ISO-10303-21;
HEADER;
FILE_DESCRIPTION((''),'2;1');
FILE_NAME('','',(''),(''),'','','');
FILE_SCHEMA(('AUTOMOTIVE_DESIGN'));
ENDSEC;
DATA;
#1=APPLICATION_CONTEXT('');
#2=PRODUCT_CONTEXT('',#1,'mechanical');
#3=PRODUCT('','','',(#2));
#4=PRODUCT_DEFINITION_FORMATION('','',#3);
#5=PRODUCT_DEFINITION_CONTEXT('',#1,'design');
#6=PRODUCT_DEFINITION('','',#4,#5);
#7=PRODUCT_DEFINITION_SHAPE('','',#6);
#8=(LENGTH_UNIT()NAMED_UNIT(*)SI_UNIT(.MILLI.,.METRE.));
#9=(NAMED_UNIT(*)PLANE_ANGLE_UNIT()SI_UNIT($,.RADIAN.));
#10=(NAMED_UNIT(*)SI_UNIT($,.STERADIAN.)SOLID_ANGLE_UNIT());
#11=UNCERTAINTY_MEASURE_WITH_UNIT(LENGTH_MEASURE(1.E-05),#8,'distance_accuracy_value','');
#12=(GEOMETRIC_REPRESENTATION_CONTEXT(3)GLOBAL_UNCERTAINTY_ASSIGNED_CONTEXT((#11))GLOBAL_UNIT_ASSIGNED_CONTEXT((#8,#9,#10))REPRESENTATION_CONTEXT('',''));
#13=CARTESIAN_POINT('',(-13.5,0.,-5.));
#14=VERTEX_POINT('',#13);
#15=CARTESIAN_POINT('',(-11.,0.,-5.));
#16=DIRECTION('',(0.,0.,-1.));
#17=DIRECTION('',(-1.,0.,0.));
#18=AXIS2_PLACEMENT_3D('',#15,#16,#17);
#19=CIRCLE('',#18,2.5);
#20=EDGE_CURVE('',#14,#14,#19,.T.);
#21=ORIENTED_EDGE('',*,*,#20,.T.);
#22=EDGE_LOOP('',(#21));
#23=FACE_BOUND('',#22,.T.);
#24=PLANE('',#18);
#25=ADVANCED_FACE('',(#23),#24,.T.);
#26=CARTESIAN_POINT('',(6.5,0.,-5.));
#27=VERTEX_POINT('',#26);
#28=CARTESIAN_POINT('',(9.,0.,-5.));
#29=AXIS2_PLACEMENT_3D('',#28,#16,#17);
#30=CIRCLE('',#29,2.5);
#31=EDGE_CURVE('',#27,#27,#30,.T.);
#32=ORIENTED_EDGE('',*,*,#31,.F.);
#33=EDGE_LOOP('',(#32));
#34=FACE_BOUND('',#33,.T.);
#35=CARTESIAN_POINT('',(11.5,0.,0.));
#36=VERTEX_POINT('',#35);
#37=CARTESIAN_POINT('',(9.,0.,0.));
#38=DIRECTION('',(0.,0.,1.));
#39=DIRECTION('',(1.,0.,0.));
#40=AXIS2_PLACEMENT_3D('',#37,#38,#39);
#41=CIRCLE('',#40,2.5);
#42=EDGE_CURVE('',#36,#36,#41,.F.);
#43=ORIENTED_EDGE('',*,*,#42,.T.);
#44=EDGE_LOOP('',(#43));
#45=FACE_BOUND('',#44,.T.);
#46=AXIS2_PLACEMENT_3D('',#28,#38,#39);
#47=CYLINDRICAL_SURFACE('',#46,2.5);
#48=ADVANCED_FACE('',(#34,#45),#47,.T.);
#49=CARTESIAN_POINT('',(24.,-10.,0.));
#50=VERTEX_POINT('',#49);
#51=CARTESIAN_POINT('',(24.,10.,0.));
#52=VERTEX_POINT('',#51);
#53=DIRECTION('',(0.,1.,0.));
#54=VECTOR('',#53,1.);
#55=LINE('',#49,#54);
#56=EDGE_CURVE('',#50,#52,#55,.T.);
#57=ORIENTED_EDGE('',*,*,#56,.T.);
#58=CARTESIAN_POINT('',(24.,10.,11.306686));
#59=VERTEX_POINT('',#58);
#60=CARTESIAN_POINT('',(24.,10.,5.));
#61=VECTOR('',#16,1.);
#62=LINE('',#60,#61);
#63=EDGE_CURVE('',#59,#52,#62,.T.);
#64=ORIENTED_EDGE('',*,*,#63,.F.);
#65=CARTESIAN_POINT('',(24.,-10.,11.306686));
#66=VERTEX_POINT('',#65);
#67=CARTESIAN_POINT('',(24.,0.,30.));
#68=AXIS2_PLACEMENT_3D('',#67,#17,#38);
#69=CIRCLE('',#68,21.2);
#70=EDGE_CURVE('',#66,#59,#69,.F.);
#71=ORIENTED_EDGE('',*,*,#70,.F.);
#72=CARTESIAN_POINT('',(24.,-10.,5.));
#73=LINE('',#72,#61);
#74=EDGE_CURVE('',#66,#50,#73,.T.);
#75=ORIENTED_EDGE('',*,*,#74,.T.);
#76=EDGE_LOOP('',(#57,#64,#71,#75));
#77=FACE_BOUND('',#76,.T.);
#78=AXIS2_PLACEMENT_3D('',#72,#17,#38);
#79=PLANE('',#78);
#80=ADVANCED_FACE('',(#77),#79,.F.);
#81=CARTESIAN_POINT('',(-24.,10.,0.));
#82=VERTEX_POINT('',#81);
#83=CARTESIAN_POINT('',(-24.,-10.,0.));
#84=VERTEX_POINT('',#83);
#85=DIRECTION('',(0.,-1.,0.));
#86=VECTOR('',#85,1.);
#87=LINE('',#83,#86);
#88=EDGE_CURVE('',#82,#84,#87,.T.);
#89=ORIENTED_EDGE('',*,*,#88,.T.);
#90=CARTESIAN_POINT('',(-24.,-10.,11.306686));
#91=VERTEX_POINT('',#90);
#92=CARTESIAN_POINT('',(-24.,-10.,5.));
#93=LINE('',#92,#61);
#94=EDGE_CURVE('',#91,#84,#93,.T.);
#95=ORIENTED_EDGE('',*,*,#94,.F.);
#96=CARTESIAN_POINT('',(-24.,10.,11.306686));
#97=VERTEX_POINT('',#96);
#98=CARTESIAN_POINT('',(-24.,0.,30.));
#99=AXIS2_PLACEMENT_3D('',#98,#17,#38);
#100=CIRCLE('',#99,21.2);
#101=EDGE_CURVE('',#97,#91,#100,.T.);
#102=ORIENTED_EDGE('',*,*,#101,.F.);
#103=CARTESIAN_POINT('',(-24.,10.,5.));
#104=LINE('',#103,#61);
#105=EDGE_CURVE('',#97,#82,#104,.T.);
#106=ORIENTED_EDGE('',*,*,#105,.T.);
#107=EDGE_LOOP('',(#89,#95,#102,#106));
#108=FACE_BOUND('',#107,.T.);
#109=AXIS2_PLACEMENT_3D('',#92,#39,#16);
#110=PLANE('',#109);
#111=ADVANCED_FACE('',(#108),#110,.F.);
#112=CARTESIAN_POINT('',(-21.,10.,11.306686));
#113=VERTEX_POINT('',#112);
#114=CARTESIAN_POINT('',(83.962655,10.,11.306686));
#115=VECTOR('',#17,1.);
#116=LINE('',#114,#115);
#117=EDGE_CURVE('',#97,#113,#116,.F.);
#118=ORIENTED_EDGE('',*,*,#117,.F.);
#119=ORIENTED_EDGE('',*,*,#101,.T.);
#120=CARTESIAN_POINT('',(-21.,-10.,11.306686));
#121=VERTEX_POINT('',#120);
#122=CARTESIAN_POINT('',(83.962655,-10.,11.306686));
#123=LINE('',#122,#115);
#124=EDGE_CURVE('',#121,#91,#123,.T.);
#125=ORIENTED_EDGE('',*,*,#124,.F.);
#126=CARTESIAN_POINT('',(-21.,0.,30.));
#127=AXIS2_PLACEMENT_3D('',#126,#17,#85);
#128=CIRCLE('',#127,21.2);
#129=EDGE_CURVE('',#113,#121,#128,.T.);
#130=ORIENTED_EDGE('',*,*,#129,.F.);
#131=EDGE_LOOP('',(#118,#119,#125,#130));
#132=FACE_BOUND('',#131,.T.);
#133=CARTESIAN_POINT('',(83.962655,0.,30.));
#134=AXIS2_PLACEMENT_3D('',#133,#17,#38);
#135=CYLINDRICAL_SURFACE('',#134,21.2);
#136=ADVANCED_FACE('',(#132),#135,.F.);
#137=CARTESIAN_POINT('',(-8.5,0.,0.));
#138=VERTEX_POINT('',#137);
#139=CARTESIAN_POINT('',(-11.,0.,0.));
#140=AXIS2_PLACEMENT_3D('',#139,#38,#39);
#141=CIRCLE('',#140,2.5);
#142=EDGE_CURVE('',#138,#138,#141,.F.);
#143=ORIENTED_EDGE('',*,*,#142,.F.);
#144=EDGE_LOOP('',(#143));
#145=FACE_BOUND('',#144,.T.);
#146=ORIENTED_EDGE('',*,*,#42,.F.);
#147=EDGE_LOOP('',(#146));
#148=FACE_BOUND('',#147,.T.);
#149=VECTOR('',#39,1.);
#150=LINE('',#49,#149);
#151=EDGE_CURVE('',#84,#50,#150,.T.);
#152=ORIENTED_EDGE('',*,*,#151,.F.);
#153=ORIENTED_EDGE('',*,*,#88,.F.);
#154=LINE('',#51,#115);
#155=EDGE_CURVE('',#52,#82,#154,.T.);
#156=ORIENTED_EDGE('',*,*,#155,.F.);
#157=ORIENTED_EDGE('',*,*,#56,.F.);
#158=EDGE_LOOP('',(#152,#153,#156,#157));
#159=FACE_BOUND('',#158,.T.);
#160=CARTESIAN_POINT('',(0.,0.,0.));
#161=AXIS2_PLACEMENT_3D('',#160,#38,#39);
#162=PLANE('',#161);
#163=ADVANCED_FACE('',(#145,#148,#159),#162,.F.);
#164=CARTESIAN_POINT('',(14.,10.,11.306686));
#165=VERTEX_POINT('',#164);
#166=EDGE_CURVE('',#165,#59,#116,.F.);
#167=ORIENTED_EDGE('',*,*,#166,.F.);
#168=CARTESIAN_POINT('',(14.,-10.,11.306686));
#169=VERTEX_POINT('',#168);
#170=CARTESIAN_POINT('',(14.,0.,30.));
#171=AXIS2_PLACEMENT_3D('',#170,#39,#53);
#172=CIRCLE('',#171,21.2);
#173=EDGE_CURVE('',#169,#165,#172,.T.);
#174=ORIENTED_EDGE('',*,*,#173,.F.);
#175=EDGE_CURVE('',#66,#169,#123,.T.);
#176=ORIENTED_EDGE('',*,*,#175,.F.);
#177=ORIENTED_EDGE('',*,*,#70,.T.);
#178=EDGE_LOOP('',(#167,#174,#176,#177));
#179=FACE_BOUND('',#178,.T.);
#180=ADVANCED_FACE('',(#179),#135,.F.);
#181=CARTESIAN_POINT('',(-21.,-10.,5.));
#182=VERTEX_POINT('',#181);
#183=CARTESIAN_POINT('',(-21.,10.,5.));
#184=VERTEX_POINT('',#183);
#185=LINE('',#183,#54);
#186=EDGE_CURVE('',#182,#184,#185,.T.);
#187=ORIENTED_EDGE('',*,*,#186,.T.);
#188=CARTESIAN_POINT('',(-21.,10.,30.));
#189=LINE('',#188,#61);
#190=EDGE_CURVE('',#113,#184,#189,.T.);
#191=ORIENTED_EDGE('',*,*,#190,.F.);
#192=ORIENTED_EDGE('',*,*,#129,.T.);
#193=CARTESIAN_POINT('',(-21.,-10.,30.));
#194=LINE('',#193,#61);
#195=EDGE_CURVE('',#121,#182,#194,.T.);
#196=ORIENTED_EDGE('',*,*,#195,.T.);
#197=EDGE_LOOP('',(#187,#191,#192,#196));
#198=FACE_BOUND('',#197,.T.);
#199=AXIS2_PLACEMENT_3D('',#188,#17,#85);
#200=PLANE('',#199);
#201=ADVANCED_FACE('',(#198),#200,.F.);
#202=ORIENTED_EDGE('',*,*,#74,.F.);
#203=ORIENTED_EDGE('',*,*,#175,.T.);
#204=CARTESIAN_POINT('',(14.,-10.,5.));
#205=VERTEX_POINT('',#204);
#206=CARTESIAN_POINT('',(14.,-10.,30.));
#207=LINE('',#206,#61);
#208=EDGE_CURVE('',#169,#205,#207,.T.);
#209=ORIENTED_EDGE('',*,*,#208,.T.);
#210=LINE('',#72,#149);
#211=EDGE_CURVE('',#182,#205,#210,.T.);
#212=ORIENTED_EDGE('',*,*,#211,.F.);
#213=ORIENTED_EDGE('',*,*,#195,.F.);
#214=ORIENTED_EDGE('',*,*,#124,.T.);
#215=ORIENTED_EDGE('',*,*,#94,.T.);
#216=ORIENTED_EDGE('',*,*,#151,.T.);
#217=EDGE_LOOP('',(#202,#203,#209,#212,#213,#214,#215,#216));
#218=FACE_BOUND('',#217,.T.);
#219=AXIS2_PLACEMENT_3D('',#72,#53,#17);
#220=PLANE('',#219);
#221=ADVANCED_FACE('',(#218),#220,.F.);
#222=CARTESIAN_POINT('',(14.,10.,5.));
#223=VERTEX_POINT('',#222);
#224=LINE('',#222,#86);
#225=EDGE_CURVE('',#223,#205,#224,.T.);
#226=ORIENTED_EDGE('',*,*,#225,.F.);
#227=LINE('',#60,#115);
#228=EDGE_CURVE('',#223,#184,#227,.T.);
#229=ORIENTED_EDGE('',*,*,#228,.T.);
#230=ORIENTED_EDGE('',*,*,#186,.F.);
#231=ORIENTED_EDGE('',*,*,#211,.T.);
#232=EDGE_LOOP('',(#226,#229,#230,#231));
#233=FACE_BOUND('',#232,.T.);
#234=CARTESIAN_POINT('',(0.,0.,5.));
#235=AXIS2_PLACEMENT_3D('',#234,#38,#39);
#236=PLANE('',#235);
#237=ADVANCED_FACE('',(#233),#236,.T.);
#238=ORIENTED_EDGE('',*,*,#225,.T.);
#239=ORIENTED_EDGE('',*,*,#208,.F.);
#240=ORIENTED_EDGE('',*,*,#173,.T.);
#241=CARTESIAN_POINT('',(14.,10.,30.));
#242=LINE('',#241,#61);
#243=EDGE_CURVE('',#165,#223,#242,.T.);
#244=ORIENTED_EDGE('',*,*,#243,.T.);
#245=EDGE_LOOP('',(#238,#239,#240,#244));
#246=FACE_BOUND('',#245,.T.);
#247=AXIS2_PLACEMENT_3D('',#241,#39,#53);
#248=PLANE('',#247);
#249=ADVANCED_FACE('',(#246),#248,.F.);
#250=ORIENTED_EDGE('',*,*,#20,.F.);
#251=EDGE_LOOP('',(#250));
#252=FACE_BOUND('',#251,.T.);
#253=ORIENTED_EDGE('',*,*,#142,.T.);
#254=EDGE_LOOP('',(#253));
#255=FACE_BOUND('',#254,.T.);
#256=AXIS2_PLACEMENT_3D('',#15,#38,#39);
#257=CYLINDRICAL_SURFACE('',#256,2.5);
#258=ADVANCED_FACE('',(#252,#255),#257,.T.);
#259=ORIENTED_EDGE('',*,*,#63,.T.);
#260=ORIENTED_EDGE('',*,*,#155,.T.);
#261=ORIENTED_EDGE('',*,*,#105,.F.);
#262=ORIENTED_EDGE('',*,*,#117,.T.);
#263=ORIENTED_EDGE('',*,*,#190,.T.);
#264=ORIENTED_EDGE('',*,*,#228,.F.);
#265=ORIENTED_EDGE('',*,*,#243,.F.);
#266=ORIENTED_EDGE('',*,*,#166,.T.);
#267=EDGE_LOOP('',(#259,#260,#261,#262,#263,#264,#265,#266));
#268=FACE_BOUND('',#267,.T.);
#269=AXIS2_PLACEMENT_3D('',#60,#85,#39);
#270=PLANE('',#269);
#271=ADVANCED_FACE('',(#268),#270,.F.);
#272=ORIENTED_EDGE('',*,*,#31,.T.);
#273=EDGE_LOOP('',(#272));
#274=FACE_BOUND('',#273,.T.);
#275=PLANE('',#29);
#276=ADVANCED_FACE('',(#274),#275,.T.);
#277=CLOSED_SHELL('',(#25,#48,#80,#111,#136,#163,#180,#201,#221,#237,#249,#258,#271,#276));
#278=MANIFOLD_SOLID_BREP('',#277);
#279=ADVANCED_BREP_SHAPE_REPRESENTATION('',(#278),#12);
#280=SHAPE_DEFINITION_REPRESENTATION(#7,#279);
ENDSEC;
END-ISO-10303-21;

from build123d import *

# Parameters (mm, degrees)
SCHIZZO1_W                   = 48
SCHIZZO1_H                   = 20
ESTRUSIONE_ESTRUSIONE1_DEPTH = 5
SCHIZZO2_W                   = 3
SCHIZZO2_H                   = 20
SCHIZZO2_W_2                 = 10
ESTRUSIONE_ESTRUSIONE2_DEPTH = 25
TAGLIO_ESTRUSIONE1_REACH     = 59.48
SCHIZZO3_R                   = 21.2
SCHIZZO4_R                   = 2.5
ESTRUSIONE_ESTRUSIONE3_DEPTH = 5


with BuildPart() as part:
    # Schizzo1 → Estrusione-Estrusione1 (new body)
    with BuildSketch(Plane.XY):
        Rectangle(SCHIZZO1_W, SCHIZZO1_H)
    extrude(amount=ESTRUSIONE_ESTRUSIONE1_DEPTH)

    # Schizzo2 → Estrusione-Estrusione2 (add)
    with BuildSketch(Plane.XY.offset(5)):
        with Locations((-22.5, 0)):
            Rectangle(SCHIZZO2_W, SCHIZZO2_H)
        with Locations((19, 0)):
            Rectangle(SCHIZZO2_W_2, SCHIZZO2_H)
    extrude(amount=ESTRUSIONE_ESTRUSIONE2_DEPTH)

    # Taglio-Estrusione1: up to this face of the body (flat: up to its plane)
    taglio_estrusione1_end = Plane(part.part.faces().sort_by_distance((24, 0, 15))[0])
    # Schizzo3 → Taglio-Estrusione1 (cut, up to the picked face)
    with BuildSketch(Plane.ZY.offset(24), mode=Mode.PRIVATE) as taglio_estrusione1_sk1:
        with Locations((30, 0)):
            Circle(SCHIZZO3_R)
    taglio_estrusione1_tool1 = split(extrude(taglio_estrusione1_sk1.sketch, amount=-TAGLIO_ESTRUSIONE1_REACH, mode=Mode.PRIVATE), bisect_by=taglio_estrusione1_end, keep=Keep.BOTH, mode=Mode.PRIVATE)
    add(taglio_estrusione1_tool1.solids().sort_by(Axis((-24, 0, 30), (1, 0, 0)))[0], mode=Mode.SUBTRACT)

    # Schizzo4 → Estrusione-Estrusione3 (add)
    with BuildSketch(Plane(origin=(0, 0, 0), x_dir=(-1, 0, 0), z_dir=(0, 0, -1))):
        with Locations(Location((-9, 0, 0), (0, 0, 180))):
            Circle(SCHIZZO4_R)
        with Locations(Location((11, 0, 0), (0, 0, 180))):
            Circle(SCHIZZO4_R)
    extrude(amount=ESTRUSIONE_ESTRUSIONE3_DEPTH)


solid = part.part
